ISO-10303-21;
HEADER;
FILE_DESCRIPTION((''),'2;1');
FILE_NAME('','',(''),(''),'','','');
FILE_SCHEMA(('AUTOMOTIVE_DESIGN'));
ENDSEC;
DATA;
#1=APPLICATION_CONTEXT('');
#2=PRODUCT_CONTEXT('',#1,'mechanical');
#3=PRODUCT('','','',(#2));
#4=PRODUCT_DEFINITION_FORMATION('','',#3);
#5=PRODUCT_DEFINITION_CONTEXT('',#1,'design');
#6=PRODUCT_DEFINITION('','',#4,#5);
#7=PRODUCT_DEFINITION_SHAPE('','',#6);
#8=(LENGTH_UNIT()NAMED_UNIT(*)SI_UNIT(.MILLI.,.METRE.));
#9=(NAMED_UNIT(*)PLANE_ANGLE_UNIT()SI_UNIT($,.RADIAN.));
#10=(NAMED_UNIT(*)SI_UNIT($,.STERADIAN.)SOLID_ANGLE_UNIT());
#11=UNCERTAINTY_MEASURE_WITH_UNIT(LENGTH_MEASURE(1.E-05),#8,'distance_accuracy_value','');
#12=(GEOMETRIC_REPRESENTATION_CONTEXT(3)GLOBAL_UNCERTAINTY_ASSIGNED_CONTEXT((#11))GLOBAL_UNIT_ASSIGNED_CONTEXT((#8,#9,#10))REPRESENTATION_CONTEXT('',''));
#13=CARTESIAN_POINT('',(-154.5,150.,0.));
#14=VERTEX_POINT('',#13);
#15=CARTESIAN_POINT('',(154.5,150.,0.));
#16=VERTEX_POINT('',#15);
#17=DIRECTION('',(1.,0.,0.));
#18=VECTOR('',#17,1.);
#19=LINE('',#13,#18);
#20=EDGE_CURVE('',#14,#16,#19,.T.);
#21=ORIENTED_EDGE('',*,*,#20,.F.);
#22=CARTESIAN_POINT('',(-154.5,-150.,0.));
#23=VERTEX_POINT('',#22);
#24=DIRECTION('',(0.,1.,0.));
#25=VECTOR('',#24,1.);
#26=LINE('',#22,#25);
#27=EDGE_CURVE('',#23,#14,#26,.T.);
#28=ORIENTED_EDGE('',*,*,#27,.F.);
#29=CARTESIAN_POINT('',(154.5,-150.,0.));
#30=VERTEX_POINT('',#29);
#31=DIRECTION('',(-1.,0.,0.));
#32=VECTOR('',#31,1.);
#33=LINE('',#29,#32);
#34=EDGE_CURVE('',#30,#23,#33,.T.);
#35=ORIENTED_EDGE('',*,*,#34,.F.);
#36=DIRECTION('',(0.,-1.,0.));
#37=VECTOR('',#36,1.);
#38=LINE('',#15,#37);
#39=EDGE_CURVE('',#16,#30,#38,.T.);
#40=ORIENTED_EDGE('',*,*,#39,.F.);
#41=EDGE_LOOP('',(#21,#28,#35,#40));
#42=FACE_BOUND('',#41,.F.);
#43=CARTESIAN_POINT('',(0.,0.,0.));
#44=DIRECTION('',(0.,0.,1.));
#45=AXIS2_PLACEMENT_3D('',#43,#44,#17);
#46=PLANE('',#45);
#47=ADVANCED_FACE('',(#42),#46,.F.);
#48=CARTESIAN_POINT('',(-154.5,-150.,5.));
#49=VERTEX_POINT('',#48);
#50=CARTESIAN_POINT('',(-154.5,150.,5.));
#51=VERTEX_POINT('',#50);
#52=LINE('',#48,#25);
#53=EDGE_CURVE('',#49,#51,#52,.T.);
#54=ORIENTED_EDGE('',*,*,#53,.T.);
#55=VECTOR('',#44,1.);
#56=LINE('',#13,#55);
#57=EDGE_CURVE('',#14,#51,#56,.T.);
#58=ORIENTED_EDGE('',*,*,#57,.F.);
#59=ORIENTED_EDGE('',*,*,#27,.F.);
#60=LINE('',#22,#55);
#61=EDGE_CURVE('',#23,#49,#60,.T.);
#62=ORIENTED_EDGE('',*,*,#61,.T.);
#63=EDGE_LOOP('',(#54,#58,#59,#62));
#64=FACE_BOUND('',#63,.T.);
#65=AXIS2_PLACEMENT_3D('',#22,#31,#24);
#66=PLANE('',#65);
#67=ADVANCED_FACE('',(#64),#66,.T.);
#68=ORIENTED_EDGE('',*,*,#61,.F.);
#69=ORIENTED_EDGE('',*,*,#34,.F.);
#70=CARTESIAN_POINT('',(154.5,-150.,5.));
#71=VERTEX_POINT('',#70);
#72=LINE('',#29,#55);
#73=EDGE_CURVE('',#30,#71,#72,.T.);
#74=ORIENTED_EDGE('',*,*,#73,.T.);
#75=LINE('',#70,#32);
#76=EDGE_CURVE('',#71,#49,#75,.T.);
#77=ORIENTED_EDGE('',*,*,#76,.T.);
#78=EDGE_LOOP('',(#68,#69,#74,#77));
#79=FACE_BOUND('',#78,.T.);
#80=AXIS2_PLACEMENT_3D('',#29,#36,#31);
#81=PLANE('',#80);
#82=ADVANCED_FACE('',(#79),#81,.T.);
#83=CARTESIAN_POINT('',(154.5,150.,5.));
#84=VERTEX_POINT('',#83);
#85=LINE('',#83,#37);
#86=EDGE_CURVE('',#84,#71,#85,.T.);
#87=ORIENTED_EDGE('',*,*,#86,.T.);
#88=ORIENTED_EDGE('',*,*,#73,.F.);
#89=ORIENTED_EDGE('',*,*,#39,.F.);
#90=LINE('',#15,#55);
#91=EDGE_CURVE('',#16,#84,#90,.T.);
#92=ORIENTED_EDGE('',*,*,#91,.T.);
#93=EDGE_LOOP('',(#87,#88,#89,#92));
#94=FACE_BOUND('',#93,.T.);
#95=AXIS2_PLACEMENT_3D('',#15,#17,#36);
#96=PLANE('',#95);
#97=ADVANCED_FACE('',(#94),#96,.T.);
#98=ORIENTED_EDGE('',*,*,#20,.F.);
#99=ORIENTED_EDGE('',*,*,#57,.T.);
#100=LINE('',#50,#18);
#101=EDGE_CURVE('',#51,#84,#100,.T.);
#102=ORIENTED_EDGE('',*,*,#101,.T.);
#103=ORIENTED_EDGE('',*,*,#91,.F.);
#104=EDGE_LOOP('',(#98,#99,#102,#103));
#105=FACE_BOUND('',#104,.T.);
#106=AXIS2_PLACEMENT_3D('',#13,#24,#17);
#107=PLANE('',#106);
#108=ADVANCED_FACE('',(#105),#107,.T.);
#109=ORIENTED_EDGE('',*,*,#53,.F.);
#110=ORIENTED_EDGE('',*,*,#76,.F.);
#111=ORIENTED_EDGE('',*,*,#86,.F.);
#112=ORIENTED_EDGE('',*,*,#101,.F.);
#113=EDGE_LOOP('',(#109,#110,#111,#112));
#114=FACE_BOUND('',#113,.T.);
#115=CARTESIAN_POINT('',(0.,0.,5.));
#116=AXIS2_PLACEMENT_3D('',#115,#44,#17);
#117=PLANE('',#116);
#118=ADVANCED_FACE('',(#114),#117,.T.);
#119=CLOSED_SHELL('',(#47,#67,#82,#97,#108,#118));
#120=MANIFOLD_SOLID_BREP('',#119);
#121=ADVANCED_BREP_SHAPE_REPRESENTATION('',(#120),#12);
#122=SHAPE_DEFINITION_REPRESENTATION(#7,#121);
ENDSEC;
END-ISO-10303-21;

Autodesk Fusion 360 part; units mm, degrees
sketch "Sketch1" plane through (0, 0, 0) normal (0, 0, 1) x (1, 0, 0)
  line L0 (-154.5, 150) -> (154.5, 150)
  line L1 (154.5, 150) -> (154.5, -150)
  line L2 (154.5, -150) -> (-154.5, -150)
  line L3 (-154.5, -150) -> (-154.5, 150)
  line L4 (-154.5, 150) -> (154.5, -150) construction
  dimension "d1" = 309
  dimension "d2" = 300
extrude "Extrude1" add sketch "Sketch1" along normal blind 5
